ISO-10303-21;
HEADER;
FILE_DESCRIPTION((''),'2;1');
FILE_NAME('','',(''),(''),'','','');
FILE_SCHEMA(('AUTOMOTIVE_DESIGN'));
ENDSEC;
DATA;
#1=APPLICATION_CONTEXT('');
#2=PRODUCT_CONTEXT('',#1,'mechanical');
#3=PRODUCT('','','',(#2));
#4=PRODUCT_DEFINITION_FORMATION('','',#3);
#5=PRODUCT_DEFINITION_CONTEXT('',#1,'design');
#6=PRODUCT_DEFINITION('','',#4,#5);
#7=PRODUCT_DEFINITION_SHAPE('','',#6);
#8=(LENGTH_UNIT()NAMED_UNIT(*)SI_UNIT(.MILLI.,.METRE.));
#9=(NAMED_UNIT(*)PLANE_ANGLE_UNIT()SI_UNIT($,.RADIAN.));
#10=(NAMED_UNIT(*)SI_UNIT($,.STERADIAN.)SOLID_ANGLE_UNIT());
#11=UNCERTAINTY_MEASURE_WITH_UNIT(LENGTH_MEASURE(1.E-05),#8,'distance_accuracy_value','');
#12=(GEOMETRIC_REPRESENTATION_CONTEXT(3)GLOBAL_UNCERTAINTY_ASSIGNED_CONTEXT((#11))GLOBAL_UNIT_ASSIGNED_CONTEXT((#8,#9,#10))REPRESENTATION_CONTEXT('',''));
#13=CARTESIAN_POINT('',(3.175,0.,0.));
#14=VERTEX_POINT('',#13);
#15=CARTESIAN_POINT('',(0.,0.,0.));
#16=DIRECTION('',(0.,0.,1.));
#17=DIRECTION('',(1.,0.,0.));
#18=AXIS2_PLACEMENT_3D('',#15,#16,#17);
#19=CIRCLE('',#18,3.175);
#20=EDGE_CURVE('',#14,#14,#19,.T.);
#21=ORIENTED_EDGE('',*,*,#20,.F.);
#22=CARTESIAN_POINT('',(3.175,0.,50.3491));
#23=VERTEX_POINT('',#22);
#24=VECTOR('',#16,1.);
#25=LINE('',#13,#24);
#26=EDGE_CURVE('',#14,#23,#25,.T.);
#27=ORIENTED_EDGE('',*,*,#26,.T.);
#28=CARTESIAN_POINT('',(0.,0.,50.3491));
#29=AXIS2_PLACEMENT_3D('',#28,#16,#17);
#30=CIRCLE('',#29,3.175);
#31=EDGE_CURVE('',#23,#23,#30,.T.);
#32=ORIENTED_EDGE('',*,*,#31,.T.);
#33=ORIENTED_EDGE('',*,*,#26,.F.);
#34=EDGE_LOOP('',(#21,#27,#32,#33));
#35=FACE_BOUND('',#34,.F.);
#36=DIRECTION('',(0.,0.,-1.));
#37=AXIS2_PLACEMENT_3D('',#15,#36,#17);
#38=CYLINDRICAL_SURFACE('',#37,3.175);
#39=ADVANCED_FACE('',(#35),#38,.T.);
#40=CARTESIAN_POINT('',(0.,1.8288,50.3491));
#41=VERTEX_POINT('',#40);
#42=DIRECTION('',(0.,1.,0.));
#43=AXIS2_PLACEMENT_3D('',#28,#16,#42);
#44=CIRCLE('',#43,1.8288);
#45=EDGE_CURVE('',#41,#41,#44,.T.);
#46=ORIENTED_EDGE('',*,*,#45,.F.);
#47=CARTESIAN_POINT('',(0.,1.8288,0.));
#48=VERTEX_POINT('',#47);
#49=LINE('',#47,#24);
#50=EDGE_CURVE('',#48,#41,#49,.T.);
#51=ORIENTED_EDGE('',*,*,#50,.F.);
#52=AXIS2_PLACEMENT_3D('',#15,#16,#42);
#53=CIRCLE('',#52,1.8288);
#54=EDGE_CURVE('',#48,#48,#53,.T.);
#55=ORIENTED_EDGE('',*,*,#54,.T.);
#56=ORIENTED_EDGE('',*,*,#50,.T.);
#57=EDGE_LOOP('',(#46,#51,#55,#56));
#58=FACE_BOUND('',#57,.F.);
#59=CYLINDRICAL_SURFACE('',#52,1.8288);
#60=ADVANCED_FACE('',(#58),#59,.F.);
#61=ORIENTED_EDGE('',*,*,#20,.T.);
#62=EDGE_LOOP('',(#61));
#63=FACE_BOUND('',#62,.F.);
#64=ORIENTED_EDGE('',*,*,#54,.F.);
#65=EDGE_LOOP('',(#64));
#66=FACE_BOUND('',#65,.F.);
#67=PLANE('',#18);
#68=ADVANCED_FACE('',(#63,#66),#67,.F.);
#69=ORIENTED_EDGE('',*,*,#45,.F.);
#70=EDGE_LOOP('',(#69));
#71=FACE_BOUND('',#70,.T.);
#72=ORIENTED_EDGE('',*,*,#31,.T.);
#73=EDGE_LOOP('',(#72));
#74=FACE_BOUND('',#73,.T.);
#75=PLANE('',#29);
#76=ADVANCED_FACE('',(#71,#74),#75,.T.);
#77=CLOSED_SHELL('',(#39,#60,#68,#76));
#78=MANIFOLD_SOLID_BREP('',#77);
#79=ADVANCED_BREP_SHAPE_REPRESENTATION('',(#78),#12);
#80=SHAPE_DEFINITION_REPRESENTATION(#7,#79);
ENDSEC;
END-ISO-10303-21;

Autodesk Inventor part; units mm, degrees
ref_plane "YZ Plane" through (0, 0, 0) normal (1, 0, 0) x (0, 1, 0)
ref_plane "XZ Plane" through (0, 0, 0) normal (0, 1, 0) x (-1, 0, 0)
ref_plane "XY Plane" through (0, 0, 0) normal (0, 0, 1) x (1, 0, 0)
sketch "Sketch1" plane through (0, 0, 0) normal (0, 0, 1) x (1, 0, 0)
  circle A0 centre (0, 0) radius 3.175
  dimension "d0" = 6.35
extrude "Extrusion1" add sketch "Sketch1" along normal blind 50.3491
hole "Hole1" at (0, 0, 0) direction (0, 0, 1) diameter 3.6576 end through all clearance for "Socket Head Cap Screw" size "#6" standard "Ansi Unified Screw Threads"
properties part number "Mouning Standoff"
